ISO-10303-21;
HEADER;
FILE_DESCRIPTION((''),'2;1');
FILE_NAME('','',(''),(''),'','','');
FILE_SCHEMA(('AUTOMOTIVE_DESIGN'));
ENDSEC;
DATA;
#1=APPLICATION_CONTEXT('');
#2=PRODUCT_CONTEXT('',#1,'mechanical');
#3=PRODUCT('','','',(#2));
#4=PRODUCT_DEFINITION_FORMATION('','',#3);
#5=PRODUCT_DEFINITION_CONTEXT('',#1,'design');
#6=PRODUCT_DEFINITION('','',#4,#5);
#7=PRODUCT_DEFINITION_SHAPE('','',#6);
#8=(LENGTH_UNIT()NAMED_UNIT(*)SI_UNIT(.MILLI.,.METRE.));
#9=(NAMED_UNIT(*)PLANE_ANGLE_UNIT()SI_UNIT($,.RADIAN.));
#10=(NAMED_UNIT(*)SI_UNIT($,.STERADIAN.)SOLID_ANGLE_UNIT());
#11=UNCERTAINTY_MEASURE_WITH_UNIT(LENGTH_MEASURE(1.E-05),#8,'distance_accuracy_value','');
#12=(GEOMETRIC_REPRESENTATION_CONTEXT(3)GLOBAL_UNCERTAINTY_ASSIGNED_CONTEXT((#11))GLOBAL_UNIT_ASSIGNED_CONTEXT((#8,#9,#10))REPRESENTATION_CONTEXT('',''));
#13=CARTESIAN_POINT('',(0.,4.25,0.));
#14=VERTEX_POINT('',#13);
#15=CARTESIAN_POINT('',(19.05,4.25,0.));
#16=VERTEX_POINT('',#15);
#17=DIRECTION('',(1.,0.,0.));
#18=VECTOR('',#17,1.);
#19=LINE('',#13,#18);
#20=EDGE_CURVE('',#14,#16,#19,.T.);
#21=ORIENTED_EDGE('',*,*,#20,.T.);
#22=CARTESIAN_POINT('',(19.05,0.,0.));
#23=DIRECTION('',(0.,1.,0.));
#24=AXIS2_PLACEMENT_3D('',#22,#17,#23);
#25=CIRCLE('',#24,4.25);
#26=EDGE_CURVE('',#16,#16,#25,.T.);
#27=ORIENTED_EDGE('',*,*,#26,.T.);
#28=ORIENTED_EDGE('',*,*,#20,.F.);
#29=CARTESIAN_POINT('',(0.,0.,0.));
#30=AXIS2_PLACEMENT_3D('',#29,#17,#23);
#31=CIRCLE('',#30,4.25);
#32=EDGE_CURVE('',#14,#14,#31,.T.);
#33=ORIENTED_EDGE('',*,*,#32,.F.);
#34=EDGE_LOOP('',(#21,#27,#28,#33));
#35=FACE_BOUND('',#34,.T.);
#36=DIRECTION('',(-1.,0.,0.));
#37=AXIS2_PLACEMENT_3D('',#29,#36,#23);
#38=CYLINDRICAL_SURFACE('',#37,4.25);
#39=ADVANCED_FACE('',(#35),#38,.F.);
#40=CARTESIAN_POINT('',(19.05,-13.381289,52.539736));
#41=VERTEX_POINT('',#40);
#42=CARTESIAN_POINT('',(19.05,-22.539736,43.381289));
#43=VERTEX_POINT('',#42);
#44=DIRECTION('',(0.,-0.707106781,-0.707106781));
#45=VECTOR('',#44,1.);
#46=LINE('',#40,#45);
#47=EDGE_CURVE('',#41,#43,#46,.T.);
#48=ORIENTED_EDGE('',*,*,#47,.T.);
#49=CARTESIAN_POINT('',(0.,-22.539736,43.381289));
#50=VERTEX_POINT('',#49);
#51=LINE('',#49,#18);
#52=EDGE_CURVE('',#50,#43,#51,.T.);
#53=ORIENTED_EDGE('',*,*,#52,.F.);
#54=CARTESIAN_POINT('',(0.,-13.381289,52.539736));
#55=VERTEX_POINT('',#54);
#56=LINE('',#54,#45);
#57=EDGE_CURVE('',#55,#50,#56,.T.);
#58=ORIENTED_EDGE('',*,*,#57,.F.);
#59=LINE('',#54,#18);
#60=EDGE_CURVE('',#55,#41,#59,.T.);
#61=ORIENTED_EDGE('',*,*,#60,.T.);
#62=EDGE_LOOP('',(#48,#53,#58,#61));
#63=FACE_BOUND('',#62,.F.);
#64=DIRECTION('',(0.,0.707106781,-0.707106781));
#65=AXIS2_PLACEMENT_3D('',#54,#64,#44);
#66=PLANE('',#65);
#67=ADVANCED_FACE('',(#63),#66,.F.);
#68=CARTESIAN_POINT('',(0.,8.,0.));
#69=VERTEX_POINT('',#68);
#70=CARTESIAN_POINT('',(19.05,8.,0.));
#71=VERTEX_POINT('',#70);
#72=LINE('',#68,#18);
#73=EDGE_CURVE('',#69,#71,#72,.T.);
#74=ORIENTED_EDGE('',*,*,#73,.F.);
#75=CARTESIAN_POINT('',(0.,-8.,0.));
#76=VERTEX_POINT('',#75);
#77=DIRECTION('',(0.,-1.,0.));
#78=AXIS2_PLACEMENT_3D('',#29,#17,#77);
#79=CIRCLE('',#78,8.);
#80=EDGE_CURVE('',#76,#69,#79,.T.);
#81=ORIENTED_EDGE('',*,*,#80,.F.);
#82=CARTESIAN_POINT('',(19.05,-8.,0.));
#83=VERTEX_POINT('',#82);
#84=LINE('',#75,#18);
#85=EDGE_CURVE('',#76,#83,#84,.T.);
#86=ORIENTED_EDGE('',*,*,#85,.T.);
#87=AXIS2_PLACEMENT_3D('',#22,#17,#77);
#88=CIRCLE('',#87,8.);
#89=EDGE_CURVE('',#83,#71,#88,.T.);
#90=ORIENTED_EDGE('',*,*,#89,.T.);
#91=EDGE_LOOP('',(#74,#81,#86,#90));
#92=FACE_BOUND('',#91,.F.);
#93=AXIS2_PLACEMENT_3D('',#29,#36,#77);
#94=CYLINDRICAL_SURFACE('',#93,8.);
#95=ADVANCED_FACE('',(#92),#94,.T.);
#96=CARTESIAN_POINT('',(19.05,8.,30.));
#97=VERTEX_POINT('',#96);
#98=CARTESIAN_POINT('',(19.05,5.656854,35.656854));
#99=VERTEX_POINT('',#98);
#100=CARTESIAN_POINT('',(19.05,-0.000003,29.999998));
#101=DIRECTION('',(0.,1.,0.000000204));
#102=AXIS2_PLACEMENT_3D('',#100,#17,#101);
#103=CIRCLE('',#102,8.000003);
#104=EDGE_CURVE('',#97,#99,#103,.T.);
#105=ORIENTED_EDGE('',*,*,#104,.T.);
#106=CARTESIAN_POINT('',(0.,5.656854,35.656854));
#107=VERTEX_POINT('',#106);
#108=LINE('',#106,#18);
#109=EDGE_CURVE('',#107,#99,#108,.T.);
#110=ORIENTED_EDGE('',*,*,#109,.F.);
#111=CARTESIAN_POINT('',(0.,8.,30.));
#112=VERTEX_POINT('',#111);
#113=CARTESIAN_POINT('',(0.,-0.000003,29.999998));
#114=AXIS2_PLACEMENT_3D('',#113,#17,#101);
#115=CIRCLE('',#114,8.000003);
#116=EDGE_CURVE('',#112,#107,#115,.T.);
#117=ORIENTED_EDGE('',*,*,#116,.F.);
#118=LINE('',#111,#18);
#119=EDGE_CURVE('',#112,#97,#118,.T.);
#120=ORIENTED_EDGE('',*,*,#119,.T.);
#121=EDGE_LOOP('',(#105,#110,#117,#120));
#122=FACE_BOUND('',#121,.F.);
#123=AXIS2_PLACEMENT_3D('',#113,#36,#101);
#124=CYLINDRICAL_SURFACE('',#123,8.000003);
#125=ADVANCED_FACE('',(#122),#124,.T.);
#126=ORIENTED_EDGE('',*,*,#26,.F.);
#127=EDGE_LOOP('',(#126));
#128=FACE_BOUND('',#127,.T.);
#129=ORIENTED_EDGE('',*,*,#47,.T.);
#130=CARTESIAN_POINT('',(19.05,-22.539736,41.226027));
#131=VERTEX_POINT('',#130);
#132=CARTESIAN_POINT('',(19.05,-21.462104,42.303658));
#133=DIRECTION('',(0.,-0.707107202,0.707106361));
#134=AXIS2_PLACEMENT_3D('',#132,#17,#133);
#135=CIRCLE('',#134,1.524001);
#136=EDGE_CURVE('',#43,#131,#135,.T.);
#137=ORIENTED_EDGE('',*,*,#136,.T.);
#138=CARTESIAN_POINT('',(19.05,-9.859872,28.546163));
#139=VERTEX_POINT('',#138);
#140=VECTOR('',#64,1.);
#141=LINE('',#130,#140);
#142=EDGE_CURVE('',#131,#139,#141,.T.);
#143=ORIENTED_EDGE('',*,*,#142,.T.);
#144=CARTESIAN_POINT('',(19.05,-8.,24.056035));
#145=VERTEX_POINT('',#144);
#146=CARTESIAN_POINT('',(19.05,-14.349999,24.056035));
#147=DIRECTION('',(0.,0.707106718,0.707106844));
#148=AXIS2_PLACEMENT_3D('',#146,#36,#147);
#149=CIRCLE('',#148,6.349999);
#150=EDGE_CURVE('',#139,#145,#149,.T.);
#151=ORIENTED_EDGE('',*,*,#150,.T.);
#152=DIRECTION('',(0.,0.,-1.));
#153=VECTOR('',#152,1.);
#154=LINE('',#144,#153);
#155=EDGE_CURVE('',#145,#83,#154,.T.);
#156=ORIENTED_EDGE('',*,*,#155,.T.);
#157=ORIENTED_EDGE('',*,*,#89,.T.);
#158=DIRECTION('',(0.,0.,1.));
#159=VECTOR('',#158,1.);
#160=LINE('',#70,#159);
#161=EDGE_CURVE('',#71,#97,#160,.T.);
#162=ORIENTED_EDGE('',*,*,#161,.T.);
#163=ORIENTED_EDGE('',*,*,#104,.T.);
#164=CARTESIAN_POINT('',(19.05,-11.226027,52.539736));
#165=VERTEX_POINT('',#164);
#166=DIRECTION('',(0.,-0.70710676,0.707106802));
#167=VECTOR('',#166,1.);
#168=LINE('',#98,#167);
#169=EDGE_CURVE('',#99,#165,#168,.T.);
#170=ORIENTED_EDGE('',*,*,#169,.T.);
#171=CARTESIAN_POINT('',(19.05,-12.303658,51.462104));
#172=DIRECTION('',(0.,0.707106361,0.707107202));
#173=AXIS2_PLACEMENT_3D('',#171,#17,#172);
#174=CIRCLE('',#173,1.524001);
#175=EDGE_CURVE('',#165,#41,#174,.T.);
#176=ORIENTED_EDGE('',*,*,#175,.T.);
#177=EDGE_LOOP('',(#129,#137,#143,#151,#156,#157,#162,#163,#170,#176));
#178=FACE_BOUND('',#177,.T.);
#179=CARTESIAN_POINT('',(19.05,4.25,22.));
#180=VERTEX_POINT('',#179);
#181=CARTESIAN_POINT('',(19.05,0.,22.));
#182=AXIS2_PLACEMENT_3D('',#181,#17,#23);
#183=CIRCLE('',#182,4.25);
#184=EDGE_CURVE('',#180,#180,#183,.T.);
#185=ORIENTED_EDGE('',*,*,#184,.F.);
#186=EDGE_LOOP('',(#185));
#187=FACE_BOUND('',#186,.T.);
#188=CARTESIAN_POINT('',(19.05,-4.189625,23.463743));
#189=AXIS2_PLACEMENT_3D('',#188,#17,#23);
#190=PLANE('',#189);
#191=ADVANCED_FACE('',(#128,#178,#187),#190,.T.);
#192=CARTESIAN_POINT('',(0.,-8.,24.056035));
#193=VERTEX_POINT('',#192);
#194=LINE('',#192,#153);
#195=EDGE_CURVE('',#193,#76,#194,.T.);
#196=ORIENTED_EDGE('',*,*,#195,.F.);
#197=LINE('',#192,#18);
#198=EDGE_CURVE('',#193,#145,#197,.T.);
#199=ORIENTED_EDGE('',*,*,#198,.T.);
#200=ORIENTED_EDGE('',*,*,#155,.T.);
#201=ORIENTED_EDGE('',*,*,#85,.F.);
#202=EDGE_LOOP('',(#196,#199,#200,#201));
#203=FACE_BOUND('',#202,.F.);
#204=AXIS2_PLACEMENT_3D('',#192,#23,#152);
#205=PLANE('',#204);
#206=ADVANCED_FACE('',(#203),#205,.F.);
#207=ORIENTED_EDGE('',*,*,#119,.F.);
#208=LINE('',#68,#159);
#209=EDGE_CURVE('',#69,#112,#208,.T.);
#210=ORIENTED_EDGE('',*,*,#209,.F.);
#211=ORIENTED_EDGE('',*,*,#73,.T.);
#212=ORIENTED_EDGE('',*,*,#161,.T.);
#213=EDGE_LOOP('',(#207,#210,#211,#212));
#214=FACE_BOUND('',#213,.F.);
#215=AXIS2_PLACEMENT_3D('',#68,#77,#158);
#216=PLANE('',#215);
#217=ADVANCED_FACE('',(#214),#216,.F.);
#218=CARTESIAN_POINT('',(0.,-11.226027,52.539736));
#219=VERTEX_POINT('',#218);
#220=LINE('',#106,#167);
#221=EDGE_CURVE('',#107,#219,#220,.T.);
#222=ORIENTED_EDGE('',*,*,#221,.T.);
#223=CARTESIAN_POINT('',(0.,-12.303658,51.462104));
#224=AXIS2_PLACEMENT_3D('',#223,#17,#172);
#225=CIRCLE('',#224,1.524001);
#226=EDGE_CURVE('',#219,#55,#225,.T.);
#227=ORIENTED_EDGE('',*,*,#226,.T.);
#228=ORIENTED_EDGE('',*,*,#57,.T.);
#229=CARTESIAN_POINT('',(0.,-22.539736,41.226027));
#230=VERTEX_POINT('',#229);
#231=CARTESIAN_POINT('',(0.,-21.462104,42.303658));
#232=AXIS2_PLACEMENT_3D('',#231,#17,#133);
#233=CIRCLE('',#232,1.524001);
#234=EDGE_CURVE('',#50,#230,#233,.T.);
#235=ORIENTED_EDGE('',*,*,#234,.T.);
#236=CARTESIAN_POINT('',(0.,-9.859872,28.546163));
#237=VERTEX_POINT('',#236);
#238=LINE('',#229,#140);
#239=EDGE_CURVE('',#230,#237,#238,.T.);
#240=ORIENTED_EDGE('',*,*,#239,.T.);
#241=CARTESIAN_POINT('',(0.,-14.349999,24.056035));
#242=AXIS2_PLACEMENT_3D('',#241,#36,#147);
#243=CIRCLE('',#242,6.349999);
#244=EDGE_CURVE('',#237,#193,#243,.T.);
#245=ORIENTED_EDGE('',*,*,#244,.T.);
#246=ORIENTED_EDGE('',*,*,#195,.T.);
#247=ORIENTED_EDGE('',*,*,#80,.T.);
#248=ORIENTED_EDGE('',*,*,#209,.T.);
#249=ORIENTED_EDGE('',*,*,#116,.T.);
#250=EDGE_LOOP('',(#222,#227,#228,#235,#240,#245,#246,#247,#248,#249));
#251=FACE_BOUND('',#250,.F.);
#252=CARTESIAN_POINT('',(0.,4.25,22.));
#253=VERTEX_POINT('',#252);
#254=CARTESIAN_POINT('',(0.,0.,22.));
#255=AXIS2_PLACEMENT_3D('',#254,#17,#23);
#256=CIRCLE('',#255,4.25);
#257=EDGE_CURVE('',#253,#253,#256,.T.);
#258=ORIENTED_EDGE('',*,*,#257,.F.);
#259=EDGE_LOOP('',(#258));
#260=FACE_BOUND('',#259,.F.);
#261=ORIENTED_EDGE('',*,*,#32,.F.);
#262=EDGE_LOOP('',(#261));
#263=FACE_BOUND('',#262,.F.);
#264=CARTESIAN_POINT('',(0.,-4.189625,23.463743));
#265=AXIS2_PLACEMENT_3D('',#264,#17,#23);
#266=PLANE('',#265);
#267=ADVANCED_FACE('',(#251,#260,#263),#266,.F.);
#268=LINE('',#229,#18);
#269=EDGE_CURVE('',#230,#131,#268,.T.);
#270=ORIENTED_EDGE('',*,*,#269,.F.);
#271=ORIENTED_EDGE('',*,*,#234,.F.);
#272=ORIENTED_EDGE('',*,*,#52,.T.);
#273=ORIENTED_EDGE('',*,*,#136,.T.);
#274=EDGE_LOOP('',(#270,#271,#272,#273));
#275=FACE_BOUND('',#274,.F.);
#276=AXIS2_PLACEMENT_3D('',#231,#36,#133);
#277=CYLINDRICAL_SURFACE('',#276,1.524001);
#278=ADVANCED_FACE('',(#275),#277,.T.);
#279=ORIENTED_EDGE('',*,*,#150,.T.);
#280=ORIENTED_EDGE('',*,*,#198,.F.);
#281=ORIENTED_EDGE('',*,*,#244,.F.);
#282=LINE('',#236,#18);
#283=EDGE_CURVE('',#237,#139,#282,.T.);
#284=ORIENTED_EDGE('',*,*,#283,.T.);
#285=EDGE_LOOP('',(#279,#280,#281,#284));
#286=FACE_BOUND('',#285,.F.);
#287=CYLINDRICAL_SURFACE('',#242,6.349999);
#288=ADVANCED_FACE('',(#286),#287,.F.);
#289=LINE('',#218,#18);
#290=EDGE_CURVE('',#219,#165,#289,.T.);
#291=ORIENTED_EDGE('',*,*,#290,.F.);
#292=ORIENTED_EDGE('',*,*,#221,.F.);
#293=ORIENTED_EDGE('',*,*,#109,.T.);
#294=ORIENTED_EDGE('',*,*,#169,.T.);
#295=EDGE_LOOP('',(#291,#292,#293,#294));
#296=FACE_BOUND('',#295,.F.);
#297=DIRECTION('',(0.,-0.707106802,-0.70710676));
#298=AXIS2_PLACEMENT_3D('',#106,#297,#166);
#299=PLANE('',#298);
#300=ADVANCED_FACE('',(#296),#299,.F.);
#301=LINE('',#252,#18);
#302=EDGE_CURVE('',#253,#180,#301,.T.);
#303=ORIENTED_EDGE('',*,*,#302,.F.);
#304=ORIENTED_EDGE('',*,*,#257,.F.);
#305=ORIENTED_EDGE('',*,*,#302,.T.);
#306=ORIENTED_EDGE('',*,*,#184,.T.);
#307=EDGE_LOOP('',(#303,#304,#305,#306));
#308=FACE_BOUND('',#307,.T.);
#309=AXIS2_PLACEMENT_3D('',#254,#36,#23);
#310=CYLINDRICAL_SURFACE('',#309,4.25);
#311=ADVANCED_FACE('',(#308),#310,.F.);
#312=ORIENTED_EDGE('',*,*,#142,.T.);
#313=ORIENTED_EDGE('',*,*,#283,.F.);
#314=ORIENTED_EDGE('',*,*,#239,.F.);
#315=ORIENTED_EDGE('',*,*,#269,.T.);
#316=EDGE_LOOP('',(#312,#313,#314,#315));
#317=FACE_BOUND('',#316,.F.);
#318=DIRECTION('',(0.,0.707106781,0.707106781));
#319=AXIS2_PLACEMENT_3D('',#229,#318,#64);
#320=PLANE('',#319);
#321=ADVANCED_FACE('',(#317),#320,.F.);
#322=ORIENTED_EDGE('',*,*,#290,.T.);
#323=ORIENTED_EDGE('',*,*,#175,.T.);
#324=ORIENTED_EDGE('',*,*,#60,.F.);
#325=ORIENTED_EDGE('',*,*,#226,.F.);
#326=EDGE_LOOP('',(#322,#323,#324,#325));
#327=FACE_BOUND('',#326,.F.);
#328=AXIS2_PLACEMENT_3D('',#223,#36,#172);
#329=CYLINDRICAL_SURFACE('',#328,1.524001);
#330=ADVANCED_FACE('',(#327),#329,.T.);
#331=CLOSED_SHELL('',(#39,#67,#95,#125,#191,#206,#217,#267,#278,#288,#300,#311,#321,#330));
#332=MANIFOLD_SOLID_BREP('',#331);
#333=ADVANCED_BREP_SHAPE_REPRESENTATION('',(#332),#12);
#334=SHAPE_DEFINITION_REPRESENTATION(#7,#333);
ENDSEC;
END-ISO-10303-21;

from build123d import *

# Parameters (mm, degrees)
F0_R     = 4.25
F1_DEPTH = 19.05


with BuildPart() as f1:
    # F0 (on Right) → F1 (new body)
    with BuildSketch(Plane.YZ):
        with BuildLine():
            Line((-8, 24.056035), (-8, 0))
            ThreePointArc((-8, 0), (0, -8), (8, 0))
            Line((8, 0), (8, 30))
            ThreePointArc((8, 30), (7.391036, 33.061467), (5.656854, 35.656854))
            Line((5.656854, 35.656854), (-11.226027, 52.539736))
            ThreePointArc((-11.226027, 52.539736), (-12.303658, 52.986105), (-13.381289, 52.539736))
            Line((-13.381289, 52.539736), (-22.539736, 43.381289))
            ThreePointArc((-22.539736, 43.381289), (-22.986105, 42.303658), (-22.539736, 41.226027))
            Line((-22.539736, 41.226027), (-9.859872, 28.546163))
            ThreePointArc((-9.859872, 28.546163), (-8.483365, 26.486075), (-8, 24.056035))
        make_face()
        Circle(F0_R, mode=Mode.SUBTRACT)
        with Locations((0, 22)):
            Circle(F0_R, mode=Mode.SUBTRACT)
    extrude(amount=F1_DEPTH)


solid = f1.part
